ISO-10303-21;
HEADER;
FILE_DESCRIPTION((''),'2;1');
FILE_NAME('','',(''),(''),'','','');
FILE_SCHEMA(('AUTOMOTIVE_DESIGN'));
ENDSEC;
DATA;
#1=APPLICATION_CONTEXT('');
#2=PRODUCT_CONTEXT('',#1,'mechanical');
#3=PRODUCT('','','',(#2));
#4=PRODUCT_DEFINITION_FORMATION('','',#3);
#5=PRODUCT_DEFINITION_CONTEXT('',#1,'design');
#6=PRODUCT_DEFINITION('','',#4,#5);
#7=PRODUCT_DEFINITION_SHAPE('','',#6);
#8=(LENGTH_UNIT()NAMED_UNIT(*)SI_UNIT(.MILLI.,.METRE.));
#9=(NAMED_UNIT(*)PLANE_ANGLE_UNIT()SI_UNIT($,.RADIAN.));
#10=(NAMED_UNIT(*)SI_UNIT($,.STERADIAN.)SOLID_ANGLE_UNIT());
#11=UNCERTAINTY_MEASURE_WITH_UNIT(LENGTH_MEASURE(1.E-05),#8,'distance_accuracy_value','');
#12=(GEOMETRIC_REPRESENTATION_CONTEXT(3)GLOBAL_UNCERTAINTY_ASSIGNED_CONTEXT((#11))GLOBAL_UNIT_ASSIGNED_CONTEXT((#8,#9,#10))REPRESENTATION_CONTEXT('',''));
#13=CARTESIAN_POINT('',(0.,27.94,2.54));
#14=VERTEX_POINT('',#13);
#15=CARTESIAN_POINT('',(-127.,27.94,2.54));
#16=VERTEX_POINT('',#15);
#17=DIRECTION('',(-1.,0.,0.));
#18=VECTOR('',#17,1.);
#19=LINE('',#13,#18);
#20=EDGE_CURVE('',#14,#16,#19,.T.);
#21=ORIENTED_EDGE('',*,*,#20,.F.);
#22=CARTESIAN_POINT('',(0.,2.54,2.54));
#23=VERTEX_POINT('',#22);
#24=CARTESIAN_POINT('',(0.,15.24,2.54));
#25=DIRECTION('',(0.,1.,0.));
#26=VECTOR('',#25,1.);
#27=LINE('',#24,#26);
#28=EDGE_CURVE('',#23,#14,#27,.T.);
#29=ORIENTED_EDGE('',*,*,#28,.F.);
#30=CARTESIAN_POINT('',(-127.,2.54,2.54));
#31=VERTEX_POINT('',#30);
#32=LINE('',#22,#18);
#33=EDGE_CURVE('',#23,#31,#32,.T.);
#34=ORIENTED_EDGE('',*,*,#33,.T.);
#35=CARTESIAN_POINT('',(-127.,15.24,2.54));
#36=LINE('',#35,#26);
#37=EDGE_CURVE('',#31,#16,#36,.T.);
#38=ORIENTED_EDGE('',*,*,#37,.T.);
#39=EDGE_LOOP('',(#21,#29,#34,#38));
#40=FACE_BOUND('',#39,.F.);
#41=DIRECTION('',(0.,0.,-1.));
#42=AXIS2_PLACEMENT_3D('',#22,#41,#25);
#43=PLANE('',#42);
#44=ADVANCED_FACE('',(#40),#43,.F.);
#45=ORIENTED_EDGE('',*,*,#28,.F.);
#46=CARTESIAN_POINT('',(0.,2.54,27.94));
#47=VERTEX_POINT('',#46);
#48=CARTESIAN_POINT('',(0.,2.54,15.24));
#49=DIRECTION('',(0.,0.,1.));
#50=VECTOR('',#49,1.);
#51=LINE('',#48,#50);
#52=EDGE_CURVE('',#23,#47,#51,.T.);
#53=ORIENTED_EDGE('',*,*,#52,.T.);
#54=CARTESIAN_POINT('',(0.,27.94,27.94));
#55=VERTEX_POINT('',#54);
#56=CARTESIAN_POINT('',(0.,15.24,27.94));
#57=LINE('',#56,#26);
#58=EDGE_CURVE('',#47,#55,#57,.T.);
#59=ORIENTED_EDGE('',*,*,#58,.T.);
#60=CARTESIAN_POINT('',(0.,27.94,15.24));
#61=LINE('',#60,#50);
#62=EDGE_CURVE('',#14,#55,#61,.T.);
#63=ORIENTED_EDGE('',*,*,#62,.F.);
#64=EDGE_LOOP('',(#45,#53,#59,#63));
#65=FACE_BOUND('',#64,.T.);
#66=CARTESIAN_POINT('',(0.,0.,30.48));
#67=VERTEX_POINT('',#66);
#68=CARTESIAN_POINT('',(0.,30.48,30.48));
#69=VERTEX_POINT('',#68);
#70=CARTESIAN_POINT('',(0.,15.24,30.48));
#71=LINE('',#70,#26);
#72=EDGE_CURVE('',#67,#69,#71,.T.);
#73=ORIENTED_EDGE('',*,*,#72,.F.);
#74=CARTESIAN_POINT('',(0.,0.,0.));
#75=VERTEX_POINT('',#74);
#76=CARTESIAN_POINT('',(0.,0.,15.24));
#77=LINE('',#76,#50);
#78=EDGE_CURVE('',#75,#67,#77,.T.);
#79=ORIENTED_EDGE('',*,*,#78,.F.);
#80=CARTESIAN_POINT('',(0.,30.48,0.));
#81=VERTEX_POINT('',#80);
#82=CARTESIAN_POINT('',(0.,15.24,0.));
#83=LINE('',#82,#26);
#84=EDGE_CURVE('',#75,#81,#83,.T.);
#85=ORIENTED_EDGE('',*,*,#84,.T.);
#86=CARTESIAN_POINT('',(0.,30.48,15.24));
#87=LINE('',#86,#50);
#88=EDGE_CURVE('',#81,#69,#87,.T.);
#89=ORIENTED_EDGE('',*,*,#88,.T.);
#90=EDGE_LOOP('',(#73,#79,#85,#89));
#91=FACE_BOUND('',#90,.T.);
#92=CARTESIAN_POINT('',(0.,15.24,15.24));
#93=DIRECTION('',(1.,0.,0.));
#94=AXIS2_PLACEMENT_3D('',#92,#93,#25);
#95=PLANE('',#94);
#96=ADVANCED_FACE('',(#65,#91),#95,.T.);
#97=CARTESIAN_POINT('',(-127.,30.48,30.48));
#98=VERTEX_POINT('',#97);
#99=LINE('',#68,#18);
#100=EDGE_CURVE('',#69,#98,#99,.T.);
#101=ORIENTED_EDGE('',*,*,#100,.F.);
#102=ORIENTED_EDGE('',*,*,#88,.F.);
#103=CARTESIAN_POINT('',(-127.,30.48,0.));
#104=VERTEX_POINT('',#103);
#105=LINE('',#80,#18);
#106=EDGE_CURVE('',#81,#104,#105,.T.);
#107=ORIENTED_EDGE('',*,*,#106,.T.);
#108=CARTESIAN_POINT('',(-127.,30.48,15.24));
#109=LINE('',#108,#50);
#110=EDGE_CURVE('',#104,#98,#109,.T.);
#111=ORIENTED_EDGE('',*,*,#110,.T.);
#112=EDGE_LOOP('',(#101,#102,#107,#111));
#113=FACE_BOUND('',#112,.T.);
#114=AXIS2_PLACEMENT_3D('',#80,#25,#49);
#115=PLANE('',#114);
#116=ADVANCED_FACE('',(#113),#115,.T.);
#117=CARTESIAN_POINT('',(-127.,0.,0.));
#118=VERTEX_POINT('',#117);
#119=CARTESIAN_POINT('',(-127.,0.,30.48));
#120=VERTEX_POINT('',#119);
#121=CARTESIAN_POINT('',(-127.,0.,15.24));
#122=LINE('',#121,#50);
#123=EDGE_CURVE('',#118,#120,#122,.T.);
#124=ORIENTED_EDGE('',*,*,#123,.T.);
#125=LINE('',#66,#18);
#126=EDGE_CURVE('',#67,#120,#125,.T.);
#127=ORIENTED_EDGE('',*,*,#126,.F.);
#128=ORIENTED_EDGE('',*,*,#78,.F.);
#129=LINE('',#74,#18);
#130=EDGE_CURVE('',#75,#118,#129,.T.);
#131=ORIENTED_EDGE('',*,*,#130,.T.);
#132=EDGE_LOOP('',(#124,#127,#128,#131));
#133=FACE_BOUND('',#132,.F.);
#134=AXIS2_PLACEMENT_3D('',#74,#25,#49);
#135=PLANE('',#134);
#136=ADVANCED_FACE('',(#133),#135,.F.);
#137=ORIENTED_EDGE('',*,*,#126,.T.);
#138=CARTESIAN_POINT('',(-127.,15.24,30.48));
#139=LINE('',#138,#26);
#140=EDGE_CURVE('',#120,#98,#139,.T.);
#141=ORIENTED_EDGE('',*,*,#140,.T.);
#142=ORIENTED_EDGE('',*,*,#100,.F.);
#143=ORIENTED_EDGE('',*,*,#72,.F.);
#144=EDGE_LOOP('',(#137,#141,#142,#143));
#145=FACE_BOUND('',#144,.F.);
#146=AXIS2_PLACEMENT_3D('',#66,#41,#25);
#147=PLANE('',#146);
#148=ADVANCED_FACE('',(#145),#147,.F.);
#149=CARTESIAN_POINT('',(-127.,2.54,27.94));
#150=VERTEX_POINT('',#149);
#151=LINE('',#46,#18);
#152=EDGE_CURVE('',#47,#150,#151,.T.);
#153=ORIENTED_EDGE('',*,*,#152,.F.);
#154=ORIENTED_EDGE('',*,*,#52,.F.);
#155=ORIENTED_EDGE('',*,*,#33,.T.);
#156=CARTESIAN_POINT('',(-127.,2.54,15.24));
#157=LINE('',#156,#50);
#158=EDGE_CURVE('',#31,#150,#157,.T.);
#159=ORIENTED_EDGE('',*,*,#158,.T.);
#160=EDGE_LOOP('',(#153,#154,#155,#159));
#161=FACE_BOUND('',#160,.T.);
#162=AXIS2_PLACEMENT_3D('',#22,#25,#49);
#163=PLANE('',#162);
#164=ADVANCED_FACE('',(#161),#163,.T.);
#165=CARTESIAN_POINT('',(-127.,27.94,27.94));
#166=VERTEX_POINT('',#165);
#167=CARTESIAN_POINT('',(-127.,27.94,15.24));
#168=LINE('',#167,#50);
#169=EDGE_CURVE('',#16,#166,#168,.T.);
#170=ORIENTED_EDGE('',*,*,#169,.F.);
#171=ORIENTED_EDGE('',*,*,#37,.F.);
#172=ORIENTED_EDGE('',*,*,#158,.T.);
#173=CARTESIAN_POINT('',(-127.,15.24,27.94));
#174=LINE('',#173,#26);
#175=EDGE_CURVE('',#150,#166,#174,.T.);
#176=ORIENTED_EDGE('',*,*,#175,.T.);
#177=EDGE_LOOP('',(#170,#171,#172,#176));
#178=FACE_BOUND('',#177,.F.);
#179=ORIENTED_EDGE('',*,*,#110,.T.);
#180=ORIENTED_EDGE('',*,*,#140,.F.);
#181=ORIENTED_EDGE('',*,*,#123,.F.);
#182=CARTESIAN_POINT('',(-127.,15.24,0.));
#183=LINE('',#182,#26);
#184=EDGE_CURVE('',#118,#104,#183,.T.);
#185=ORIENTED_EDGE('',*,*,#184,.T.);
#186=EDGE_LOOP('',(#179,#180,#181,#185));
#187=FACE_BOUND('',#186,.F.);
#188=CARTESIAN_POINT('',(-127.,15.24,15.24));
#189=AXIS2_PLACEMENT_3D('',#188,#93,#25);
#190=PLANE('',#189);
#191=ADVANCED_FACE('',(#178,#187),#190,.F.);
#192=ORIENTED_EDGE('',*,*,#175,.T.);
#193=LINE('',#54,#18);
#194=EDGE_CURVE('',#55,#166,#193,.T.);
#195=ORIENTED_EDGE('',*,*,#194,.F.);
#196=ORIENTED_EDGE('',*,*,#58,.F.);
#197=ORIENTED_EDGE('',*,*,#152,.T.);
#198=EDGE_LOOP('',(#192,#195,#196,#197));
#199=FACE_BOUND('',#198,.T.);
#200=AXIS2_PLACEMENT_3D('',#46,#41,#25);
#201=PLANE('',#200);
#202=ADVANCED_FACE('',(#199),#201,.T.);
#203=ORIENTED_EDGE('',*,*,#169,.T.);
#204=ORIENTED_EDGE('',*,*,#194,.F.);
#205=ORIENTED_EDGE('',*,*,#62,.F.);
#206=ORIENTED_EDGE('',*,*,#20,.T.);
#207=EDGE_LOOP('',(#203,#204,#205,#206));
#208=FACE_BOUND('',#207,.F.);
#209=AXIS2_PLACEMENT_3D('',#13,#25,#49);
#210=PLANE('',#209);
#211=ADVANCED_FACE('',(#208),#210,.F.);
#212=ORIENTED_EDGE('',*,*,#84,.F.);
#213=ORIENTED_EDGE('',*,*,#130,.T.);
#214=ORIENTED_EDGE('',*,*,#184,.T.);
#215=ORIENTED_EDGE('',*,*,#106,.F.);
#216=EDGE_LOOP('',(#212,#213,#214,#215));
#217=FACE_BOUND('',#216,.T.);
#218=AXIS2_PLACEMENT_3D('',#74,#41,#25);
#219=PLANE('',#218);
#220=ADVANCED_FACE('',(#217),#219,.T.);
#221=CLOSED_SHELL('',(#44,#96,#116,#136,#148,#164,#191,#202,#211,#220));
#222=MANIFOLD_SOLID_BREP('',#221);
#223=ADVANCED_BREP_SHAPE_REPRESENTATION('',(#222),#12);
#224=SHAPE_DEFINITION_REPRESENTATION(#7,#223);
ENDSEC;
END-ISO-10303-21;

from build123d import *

# Parameters (mm, degrees)
F0_W     = 30.48
F0_H     = 30.48
F1_DEPTH = 127
F2_W     = 25.4
F2_H     = 25.4
F3_DEPTH = 127


with BuildPart() as f1:
    # F0 (on Right) → F1 (new body)
    with BuildSketch(Plane.YZ):
        with Locations((15.24, 15.24)):
            Rectangle(F0_W, F0_H)
    extrude(amount=-F1_DEPTH)

    # F2 (on face) → F3 (cut)
    with BuildSketch(Plane.YZ):
        with Locations((15.24, 15.24)):
            Rectangle(F2_W, F2_H)
    extrude(amount=-F3_DEPTH, mode=Mode.SUBTRACT)


solid = f1.part
